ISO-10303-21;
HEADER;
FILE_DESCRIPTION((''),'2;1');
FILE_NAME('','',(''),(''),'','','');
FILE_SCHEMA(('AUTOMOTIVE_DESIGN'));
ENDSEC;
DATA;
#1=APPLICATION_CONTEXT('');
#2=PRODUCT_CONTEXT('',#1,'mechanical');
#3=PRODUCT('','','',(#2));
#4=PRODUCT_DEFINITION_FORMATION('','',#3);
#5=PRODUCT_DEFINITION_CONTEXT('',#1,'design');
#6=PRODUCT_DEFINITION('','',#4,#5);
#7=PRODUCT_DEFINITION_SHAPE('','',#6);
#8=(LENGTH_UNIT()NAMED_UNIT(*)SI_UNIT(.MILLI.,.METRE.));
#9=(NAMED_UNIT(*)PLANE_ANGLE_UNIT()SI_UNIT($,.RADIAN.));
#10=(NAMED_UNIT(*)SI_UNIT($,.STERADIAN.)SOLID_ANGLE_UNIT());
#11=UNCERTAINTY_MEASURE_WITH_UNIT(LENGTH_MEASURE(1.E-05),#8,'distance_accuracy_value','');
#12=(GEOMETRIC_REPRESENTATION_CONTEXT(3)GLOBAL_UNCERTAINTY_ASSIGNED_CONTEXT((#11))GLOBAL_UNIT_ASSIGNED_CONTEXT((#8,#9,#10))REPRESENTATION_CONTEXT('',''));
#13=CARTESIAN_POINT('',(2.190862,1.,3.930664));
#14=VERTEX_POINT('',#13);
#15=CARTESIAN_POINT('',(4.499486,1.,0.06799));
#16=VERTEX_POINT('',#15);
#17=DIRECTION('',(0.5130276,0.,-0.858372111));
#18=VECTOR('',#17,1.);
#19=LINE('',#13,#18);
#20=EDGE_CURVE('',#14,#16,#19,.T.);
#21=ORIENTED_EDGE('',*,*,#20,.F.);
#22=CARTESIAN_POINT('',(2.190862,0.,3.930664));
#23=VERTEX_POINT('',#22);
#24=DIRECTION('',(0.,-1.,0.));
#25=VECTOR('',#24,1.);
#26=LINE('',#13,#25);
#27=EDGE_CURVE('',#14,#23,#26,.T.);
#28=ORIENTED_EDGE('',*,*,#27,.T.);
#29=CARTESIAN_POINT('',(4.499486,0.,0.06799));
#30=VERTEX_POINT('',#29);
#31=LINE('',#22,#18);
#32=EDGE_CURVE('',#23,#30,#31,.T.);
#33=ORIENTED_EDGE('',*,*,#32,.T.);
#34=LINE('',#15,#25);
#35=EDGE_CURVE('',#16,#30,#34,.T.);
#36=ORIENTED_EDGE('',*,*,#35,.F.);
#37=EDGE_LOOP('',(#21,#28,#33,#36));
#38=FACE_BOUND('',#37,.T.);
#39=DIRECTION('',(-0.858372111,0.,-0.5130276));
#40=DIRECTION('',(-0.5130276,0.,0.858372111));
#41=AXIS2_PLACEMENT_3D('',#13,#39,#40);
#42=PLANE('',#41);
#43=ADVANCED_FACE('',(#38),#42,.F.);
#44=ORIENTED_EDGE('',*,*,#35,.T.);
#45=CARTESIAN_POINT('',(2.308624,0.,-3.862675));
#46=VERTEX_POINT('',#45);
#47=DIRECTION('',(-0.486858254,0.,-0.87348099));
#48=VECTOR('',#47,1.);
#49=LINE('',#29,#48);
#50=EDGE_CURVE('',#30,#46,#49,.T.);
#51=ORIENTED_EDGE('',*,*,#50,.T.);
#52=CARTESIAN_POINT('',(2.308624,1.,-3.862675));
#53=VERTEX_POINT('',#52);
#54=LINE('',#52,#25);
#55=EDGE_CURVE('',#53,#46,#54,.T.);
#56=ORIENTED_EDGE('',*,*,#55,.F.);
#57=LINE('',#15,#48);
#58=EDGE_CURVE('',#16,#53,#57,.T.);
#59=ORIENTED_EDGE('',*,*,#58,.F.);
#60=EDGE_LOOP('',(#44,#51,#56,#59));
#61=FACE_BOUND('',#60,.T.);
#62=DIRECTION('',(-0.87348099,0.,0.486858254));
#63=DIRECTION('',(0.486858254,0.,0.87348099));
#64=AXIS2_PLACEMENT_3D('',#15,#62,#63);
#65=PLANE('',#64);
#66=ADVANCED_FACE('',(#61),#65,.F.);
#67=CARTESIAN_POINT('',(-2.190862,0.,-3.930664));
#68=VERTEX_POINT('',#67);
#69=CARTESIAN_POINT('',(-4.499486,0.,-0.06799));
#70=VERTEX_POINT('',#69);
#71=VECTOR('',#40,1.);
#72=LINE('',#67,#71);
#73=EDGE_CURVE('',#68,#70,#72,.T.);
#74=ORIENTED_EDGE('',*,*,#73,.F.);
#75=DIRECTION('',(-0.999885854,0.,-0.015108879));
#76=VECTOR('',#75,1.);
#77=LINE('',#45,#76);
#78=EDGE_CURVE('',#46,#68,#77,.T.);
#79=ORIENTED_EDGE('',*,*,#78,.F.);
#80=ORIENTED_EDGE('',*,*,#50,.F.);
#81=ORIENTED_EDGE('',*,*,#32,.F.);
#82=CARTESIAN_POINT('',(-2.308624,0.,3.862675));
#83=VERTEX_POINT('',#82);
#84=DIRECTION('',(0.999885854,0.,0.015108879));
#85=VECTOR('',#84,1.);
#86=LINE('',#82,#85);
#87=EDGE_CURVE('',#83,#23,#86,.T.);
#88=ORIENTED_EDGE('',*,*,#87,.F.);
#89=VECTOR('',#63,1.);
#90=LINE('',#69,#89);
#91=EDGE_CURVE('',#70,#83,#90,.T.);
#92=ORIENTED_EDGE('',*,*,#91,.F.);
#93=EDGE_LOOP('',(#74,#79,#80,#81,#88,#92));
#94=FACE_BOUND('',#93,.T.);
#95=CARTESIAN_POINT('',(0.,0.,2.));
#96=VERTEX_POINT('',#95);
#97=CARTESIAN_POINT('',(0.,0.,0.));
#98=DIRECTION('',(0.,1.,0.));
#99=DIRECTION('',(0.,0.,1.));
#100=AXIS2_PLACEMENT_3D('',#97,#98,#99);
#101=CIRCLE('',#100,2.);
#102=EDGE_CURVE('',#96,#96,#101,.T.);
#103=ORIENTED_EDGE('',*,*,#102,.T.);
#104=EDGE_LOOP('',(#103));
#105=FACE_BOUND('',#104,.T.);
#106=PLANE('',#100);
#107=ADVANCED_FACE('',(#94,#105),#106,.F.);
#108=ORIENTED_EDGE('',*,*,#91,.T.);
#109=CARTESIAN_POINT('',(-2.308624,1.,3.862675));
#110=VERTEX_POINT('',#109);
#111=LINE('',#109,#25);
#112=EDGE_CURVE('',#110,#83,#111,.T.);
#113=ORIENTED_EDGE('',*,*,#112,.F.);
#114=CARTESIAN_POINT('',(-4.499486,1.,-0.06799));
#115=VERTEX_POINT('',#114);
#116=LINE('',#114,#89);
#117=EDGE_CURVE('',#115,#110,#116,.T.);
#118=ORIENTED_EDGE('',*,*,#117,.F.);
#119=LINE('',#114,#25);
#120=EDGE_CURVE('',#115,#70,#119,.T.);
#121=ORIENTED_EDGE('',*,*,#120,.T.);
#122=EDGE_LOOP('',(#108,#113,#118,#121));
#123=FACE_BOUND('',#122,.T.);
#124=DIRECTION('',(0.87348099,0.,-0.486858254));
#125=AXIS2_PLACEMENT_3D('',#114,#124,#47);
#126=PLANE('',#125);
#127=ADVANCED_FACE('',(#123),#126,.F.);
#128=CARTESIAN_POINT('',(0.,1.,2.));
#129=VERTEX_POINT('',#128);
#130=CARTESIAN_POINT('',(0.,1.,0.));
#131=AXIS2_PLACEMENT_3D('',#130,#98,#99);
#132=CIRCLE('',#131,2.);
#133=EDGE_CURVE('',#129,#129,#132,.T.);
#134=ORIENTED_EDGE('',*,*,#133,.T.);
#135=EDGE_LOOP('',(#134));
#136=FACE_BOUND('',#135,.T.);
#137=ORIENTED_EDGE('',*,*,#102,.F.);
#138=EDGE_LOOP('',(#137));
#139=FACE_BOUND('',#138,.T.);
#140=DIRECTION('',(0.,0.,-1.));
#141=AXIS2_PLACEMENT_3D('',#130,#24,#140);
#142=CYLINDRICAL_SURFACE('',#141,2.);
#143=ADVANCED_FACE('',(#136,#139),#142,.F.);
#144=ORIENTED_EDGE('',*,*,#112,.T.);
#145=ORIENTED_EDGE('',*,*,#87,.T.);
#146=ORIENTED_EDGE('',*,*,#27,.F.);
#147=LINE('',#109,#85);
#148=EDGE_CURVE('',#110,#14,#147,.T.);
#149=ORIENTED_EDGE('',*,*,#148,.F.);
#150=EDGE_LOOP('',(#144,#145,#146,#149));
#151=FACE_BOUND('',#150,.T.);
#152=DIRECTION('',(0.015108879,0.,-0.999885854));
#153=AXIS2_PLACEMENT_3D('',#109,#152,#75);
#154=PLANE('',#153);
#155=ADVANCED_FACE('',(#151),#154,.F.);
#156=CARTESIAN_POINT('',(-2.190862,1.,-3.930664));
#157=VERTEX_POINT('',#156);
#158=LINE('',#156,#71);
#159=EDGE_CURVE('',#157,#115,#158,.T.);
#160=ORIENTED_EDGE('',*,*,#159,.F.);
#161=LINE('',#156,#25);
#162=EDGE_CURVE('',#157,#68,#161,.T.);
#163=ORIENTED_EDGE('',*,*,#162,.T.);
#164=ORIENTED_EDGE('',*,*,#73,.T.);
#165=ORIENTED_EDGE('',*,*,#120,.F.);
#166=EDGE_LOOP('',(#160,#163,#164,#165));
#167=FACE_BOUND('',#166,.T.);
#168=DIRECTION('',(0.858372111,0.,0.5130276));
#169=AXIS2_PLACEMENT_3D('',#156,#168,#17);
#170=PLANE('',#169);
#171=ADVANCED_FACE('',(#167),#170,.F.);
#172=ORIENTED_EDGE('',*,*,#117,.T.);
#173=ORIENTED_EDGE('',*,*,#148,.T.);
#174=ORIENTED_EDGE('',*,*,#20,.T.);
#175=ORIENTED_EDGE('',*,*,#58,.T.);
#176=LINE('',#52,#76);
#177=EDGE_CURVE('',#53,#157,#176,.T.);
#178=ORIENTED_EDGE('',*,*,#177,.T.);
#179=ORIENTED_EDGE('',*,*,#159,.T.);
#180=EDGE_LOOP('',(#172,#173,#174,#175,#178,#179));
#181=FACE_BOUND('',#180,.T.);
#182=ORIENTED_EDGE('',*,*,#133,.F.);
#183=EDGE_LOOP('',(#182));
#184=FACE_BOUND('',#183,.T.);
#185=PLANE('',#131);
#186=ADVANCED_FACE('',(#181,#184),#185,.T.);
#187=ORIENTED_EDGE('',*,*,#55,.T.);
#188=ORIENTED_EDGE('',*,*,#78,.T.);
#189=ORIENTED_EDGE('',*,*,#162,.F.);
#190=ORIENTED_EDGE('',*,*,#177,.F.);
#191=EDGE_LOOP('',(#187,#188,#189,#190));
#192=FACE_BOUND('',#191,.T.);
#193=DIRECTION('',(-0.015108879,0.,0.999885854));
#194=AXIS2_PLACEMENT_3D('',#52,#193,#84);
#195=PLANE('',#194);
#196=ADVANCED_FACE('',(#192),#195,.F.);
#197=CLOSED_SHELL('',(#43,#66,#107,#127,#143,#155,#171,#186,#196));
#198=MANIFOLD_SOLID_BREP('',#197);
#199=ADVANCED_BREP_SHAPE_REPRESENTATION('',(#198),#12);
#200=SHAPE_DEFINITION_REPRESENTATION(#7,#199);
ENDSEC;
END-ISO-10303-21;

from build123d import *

# Parameters (mm, degrees)
CROQUIS1_R              = 2
SALIENTE_EXTRUIR1_DEPTH = 1


with BuildPart() as part:
    # Croquis1 → Saliente-Extruir1 (new body)
    with BuildSketch(Plane(origin=(0, 0, 0), x_dir=(1, 0, 0), z_dir=(0, 1, 0))):
        Polygon((4.499486345, -0.067989954), (2.3086242, 3.862674501), (-2.190862145, 3.930664455), (-4.499486345, 0.067989954), (-2.3086242, -3.862674501), (2.190862145, -3.930664455), align=None)
        with Locations(Location((0, 0, 0), (0, 0, 270))):
            Circle(CROQUIS1_R, mode=Mode.SUBTRACT)
    extrude(amount=SALIENTE_EXTRUIR1_DEPTH)


solid = part.part
